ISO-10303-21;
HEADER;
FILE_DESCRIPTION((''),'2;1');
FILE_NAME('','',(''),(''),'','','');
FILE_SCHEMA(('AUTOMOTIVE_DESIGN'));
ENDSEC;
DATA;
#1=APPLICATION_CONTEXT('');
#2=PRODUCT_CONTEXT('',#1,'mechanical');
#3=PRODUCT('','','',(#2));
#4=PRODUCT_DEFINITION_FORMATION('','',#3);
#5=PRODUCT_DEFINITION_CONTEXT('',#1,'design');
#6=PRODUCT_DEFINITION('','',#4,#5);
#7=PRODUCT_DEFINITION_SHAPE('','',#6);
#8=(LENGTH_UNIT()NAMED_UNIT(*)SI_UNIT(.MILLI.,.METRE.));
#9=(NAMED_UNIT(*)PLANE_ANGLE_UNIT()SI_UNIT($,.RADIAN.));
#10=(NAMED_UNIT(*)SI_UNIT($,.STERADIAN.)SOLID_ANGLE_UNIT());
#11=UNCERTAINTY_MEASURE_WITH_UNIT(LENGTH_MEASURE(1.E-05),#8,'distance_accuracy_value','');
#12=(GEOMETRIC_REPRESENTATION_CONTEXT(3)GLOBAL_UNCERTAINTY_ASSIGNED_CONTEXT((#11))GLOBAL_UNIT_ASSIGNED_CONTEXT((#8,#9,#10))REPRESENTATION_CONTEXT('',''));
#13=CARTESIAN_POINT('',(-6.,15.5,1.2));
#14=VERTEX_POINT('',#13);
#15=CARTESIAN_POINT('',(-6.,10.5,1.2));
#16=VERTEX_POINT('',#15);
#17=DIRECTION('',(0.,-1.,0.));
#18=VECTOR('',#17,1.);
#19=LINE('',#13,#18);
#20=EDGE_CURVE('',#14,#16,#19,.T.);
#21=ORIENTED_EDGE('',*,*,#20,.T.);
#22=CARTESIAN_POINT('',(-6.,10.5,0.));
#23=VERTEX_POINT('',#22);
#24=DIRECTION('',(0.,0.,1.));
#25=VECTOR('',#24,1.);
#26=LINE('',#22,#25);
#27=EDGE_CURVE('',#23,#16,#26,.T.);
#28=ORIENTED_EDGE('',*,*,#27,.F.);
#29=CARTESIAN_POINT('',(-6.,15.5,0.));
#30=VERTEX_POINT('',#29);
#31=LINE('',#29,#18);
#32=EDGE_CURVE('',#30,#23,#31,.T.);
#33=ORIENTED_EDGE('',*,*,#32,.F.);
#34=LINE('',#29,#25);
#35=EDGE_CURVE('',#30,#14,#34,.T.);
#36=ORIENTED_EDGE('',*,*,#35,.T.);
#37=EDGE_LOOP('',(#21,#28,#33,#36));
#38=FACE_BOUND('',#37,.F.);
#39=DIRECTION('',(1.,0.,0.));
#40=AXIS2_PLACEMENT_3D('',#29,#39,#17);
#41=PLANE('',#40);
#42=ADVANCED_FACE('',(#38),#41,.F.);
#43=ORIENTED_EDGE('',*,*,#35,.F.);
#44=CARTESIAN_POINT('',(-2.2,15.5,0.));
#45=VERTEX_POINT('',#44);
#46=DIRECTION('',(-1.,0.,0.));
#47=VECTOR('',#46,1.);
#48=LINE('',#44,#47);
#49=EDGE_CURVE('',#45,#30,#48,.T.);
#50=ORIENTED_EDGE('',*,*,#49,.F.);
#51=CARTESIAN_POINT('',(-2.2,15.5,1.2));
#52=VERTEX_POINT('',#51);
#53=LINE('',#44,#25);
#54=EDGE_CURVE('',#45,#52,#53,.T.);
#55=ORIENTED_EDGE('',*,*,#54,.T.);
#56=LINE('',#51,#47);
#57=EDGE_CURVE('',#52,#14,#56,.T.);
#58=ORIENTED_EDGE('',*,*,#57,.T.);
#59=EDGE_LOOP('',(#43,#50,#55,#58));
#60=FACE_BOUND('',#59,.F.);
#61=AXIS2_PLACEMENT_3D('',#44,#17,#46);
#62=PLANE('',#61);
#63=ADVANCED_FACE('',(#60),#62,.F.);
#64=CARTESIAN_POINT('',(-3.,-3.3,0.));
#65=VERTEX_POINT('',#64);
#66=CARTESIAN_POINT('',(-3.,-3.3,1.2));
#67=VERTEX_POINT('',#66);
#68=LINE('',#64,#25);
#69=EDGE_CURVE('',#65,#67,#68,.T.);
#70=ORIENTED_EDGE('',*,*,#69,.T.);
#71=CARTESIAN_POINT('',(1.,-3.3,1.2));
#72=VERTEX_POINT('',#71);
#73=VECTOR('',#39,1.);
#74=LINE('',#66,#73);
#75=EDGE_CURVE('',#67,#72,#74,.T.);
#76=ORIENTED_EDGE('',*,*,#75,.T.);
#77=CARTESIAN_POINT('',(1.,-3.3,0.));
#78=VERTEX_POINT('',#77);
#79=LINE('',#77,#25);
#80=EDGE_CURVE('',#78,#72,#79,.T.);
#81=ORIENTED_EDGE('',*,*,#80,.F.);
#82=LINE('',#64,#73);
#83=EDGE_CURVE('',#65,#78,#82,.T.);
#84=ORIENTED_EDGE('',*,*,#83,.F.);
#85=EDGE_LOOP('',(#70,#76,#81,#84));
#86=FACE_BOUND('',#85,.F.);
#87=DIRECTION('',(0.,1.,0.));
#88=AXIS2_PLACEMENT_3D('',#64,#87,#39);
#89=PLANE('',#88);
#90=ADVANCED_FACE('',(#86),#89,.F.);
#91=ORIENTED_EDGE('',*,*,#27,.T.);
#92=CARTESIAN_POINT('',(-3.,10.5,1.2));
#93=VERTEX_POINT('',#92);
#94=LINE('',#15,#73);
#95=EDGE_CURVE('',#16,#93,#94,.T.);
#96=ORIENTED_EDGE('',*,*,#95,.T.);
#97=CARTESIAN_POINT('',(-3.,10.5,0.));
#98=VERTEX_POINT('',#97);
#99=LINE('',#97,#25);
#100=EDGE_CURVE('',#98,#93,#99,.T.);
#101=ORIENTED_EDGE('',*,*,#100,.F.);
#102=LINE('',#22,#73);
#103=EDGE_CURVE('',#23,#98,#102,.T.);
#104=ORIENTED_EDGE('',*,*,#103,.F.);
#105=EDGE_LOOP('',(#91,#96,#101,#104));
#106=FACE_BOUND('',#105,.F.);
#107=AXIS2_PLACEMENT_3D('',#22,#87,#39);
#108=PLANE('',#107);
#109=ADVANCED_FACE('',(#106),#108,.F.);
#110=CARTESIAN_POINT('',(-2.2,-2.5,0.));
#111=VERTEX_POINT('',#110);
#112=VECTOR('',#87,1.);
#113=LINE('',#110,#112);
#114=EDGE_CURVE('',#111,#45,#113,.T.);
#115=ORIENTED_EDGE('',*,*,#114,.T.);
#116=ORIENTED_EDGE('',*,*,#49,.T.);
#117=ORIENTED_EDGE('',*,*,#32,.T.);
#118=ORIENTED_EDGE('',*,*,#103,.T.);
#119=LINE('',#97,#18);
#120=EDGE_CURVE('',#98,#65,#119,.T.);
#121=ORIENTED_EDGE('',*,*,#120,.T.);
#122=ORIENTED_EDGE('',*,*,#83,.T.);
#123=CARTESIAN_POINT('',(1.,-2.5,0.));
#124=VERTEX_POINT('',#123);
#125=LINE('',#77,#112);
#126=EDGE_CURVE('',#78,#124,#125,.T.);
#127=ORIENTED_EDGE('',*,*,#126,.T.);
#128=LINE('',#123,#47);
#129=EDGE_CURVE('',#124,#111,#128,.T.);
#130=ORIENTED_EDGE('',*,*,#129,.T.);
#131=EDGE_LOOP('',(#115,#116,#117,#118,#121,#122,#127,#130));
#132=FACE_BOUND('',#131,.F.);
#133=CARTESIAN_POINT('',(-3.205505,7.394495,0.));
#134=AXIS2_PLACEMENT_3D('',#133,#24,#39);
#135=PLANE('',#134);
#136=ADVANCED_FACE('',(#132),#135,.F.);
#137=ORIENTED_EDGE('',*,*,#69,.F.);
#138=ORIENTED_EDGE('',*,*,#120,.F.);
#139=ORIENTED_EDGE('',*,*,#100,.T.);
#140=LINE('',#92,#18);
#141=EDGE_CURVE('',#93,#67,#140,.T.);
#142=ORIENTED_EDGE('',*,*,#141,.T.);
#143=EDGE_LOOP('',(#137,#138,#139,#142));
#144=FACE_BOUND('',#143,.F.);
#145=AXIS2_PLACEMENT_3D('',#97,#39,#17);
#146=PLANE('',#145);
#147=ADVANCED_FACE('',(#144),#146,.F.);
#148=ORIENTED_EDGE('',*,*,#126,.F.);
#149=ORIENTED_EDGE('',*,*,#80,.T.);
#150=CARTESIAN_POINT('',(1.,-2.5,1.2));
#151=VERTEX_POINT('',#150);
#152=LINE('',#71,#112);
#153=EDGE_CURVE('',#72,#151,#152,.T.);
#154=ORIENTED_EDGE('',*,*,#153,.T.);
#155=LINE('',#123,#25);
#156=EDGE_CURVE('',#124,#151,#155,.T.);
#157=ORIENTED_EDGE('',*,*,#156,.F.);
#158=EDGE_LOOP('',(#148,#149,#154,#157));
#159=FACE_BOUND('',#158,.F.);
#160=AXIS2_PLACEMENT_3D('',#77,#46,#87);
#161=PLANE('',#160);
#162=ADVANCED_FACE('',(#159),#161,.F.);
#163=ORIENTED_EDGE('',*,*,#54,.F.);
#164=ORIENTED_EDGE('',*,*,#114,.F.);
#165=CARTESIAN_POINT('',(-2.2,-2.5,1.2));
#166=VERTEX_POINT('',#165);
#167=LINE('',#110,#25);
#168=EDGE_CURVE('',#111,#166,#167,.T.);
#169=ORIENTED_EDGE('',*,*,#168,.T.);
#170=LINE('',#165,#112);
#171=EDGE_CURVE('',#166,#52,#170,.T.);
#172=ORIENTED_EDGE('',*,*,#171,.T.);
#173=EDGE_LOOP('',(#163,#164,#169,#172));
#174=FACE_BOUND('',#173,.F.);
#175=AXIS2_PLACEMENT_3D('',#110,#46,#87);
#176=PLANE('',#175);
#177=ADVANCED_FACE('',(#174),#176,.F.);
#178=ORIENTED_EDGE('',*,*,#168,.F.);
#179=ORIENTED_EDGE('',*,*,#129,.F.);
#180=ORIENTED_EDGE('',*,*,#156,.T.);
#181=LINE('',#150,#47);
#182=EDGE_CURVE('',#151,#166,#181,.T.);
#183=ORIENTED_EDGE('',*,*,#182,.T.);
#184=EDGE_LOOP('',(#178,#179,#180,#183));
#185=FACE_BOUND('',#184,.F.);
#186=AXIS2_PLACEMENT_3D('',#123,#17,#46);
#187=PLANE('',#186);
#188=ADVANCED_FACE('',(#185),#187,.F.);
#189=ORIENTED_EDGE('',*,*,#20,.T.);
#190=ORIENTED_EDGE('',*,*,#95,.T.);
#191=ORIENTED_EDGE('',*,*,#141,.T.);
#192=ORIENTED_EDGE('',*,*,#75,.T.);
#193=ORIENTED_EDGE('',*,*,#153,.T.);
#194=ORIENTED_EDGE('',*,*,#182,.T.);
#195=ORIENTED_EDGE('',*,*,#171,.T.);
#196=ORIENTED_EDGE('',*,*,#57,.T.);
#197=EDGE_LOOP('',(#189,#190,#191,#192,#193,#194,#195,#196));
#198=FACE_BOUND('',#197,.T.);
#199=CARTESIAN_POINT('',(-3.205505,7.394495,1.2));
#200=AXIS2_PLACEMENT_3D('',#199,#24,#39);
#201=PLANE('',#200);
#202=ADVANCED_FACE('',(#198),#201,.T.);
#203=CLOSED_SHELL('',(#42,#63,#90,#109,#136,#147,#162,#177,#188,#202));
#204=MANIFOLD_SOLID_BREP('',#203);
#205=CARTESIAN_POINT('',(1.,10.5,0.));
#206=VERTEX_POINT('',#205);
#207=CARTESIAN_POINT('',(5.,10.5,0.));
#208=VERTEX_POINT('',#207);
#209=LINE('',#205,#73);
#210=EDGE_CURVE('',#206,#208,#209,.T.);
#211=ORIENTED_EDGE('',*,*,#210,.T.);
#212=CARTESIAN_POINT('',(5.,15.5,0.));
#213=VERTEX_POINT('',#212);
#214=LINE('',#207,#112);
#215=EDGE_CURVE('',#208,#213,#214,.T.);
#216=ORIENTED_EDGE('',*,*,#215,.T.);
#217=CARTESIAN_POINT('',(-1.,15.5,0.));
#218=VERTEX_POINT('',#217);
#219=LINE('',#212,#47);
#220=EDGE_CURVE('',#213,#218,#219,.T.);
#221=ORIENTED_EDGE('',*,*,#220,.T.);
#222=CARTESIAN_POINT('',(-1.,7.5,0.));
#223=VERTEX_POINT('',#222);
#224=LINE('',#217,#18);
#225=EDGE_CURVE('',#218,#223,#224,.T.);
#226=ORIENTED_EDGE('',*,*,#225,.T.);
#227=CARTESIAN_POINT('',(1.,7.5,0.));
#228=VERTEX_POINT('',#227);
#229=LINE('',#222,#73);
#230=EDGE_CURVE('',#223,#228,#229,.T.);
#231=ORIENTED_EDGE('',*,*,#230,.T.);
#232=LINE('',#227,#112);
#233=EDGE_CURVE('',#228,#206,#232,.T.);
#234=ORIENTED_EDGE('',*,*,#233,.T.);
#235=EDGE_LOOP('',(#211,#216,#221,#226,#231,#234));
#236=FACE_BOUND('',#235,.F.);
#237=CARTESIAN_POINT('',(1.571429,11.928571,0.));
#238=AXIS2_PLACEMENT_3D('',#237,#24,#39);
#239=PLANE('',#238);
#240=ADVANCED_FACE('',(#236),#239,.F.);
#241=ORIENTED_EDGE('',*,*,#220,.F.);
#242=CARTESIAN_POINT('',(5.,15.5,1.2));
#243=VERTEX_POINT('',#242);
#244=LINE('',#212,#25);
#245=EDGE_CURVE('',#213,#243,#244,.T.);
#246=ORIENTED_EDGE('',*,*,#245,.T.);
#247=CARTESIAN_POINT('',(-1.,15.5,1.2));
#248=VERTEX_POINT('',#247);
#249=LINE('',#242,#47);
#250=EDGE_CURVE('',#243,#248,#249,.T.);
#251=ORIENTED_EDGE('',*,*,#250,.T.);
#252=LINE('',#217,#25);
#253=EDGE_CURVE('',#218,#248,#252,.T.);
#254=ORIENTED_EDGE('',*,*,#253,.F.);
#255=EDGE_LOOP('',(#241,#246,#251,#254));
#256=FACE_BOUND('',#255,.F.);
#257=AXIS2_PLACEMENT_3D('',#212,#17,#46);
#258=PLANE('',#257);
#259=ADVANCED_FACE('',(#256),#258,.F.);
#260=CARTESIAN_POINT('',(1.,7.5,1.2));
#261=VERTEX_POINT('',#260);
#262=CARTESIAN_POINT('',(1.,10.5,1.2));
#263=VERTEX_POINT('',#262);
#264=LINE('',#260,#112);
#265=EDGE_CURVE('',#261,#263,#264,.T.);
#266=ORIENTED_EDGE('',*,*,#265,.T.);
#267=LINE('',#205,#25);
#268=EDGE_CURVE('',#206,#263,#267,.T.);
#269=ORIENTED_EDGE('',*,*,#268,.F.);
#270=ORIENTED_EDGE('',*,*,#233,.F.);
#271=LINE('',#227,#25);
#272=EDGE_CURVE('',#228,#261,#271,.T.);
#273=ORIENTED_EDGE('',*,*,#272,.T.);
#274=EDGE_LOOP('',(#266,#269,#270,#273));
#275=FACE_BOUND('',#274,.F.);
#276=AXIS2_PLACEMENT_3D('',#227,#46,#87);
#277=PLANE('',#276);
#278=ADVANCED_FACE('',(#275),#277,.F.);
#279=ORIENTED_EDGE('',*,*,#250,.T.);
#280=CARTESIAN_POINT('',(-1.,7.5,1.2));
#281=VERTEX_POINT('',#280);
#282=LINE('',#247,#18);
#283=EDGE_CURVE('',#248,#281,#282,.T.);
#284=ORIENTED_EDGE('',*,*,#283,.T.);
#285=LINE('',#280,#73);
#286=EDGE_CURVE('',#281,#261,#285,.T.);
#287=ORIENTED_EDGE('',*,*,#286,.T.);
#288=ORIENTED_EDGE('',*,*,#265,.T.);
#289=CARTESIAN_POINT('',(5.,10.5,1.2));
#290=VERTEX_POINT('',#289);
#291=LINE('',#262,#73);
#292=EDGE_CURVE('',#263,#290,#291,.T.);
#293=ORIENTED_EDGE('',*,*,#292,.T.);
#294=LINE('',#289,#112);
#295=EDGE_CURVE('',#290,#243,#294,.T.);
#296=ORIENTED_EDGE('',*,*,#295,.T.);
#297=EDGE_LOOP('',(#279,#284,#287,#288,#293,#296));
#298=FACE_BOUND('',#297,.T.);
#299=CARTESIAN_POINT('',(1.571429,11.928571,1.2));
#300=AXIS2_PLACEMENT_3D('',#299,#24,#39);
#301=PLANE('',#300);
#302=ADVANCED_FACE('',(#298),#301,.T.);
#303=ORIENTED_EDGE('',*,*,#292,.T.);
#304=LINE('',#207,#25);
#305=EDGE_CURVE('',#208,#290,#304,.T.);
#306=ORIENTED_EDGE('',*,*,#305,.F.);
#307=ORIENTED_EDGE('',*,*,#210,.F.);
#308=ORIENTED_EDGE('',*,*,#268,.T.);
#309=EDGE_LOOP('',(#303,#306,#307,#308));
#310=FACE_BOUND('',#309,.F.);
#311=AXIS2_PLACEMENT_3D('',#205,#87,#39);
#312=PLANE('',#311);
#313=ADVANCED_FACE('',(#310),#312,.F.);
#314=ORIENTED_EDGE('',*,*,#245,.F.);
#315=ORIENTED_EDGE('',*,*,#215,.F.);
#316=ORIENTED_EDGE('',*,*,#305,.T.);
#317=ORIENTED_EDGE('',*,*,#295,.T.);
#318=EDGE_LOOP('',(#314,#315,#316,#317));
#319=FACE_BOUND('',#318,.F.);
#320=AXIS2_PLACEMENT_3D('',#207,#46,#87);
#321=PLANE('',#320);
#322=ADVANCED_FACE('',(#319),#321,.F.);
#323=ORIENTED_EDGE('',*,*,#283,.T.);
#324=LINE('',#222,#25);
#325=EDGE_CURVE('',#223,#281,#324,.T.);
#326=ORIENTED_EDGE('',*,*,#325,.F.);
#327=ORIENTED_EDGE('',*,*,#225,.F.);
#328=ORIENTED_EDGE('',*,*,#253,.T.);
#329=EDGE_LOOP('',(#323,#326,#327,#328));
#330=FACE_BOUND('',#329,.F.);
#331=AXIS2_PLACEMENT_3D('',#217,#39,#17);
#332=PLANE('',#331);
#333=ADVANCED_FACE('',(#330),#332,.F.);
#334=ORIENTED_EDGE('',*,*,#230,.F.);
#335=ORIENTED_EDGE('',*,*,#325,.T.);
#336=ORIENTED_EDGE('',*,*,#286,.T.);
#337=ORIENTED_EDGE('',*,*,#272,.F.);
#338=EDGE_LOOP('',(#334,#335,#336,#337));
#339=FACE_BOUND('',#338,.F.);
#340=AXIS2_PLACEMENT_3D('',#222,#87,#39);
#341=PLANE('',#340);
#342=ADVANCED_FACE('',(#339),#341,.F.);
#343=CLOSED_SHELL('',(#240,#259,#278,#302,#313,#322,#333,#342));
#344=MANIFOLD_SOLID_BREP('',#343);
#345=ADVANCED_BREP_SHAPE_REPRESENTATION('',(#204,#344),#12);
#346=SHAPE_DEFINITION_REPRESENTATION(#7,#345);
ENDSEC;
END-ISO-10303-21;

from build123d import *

# Parameters (mm, degrees)
F1_DEPTH = 1.2


with BuildPart() as f1:
    # F0 (on Top) → F1 (new body)
    with BuildSketch(Plane.XY):
        Polygon((-3, -2.5), (-2.2, -2.5), (-2.2, 12.5), (-2.2, 15.5), (-3, 15.5), (-6, 15.5), (-6, 12.5), (-6, 10.5), (-3, 10.5), align=None)
        Polygon((1, -3.3), (1, -2.5), (-1, -2.5), (-2.2, -2.5), (-3, -2.5), (-3, -3.3), align=None)
        Polygon((-1, 7.5), (1, 7.5), (1, 10.5), (5, 10.5), (5, 12.5), (5, 15.5), (1, 15.5), (0, 15.5), (-1, 15.5), (-1, 12.5), align=None)
    extrude(amount=F1_DEPTH)


solid = f1.part
